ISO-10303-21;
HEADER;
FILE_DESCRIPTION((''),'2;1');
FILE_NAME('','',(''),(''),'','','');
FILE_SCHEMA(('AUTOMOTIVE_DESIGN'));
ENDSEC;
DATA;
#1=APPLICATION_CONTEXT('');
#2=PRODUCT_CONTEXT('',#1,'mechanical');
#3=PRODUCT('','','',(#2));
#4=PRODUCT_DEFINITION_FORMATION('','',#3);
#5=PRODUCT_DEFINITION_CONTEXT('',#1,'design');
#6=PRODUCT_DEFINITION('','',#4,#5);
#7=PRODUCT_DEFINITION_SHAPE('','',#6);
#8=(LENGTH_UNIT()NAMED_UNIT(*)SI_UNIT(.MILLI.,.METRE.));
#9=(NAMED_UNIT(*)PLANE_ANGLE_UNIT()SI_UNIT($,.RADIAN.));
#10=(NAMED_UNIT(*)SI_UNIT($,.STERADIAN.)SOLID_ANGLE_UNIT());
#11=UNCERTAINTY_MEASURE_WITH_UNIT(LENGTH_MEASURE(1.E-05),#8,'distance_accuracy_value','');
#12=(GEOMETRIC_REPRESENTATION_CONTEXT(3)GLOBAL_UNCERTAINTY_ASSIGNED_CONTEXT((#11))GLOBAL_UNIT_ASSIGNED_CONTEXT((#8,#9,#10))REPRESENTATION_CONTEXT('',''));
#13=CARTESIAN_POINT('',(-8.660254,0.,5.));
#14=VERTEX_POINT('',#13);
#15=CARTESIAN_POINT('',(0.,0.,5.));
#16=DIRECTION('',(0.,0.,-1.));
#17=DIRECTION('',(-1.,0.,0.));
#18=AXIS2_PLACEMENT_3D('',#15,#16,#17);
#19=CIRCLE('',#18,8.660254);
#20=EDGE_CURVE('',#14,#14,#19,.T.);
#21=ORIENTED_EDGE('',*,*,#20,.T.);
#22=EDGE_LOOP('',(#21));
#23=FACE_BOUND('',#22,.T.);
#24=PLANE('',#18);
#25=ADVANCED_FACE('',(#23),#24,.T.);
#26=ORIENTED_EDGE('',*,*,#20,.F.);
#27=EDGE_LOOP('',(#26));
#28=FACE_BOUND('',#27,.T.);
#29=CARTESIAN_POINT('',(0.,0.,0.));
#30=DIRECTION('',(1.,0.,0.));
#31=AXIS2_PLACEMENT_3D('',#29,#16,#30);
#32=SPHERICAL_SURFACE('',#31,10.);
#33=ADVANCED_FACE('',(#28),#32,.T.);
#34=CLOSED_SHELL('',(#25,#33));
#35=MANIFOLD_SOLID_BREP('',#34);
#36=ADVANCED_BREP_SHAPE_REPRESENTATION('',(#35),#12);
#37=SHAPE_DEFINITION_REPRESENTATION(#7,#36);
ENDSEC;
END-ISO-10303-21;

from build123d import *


with BuildPart() as part:
    # sketch:main-profile → feature:sphere-cap (revolve)
    with BuildSketch(Plane.XZ):
        with BuildLine():
            Line((0, 10), (0, 5))
            Line((0, 5), (8.660254038, 5))
            ThreePointArc((8.660254038, 5), (5, 8.660254038), (0, 10))
        make_face()
    revolve(axis=Axis((0, 0, -15), (0, 0, 1)))


solid = part.part
